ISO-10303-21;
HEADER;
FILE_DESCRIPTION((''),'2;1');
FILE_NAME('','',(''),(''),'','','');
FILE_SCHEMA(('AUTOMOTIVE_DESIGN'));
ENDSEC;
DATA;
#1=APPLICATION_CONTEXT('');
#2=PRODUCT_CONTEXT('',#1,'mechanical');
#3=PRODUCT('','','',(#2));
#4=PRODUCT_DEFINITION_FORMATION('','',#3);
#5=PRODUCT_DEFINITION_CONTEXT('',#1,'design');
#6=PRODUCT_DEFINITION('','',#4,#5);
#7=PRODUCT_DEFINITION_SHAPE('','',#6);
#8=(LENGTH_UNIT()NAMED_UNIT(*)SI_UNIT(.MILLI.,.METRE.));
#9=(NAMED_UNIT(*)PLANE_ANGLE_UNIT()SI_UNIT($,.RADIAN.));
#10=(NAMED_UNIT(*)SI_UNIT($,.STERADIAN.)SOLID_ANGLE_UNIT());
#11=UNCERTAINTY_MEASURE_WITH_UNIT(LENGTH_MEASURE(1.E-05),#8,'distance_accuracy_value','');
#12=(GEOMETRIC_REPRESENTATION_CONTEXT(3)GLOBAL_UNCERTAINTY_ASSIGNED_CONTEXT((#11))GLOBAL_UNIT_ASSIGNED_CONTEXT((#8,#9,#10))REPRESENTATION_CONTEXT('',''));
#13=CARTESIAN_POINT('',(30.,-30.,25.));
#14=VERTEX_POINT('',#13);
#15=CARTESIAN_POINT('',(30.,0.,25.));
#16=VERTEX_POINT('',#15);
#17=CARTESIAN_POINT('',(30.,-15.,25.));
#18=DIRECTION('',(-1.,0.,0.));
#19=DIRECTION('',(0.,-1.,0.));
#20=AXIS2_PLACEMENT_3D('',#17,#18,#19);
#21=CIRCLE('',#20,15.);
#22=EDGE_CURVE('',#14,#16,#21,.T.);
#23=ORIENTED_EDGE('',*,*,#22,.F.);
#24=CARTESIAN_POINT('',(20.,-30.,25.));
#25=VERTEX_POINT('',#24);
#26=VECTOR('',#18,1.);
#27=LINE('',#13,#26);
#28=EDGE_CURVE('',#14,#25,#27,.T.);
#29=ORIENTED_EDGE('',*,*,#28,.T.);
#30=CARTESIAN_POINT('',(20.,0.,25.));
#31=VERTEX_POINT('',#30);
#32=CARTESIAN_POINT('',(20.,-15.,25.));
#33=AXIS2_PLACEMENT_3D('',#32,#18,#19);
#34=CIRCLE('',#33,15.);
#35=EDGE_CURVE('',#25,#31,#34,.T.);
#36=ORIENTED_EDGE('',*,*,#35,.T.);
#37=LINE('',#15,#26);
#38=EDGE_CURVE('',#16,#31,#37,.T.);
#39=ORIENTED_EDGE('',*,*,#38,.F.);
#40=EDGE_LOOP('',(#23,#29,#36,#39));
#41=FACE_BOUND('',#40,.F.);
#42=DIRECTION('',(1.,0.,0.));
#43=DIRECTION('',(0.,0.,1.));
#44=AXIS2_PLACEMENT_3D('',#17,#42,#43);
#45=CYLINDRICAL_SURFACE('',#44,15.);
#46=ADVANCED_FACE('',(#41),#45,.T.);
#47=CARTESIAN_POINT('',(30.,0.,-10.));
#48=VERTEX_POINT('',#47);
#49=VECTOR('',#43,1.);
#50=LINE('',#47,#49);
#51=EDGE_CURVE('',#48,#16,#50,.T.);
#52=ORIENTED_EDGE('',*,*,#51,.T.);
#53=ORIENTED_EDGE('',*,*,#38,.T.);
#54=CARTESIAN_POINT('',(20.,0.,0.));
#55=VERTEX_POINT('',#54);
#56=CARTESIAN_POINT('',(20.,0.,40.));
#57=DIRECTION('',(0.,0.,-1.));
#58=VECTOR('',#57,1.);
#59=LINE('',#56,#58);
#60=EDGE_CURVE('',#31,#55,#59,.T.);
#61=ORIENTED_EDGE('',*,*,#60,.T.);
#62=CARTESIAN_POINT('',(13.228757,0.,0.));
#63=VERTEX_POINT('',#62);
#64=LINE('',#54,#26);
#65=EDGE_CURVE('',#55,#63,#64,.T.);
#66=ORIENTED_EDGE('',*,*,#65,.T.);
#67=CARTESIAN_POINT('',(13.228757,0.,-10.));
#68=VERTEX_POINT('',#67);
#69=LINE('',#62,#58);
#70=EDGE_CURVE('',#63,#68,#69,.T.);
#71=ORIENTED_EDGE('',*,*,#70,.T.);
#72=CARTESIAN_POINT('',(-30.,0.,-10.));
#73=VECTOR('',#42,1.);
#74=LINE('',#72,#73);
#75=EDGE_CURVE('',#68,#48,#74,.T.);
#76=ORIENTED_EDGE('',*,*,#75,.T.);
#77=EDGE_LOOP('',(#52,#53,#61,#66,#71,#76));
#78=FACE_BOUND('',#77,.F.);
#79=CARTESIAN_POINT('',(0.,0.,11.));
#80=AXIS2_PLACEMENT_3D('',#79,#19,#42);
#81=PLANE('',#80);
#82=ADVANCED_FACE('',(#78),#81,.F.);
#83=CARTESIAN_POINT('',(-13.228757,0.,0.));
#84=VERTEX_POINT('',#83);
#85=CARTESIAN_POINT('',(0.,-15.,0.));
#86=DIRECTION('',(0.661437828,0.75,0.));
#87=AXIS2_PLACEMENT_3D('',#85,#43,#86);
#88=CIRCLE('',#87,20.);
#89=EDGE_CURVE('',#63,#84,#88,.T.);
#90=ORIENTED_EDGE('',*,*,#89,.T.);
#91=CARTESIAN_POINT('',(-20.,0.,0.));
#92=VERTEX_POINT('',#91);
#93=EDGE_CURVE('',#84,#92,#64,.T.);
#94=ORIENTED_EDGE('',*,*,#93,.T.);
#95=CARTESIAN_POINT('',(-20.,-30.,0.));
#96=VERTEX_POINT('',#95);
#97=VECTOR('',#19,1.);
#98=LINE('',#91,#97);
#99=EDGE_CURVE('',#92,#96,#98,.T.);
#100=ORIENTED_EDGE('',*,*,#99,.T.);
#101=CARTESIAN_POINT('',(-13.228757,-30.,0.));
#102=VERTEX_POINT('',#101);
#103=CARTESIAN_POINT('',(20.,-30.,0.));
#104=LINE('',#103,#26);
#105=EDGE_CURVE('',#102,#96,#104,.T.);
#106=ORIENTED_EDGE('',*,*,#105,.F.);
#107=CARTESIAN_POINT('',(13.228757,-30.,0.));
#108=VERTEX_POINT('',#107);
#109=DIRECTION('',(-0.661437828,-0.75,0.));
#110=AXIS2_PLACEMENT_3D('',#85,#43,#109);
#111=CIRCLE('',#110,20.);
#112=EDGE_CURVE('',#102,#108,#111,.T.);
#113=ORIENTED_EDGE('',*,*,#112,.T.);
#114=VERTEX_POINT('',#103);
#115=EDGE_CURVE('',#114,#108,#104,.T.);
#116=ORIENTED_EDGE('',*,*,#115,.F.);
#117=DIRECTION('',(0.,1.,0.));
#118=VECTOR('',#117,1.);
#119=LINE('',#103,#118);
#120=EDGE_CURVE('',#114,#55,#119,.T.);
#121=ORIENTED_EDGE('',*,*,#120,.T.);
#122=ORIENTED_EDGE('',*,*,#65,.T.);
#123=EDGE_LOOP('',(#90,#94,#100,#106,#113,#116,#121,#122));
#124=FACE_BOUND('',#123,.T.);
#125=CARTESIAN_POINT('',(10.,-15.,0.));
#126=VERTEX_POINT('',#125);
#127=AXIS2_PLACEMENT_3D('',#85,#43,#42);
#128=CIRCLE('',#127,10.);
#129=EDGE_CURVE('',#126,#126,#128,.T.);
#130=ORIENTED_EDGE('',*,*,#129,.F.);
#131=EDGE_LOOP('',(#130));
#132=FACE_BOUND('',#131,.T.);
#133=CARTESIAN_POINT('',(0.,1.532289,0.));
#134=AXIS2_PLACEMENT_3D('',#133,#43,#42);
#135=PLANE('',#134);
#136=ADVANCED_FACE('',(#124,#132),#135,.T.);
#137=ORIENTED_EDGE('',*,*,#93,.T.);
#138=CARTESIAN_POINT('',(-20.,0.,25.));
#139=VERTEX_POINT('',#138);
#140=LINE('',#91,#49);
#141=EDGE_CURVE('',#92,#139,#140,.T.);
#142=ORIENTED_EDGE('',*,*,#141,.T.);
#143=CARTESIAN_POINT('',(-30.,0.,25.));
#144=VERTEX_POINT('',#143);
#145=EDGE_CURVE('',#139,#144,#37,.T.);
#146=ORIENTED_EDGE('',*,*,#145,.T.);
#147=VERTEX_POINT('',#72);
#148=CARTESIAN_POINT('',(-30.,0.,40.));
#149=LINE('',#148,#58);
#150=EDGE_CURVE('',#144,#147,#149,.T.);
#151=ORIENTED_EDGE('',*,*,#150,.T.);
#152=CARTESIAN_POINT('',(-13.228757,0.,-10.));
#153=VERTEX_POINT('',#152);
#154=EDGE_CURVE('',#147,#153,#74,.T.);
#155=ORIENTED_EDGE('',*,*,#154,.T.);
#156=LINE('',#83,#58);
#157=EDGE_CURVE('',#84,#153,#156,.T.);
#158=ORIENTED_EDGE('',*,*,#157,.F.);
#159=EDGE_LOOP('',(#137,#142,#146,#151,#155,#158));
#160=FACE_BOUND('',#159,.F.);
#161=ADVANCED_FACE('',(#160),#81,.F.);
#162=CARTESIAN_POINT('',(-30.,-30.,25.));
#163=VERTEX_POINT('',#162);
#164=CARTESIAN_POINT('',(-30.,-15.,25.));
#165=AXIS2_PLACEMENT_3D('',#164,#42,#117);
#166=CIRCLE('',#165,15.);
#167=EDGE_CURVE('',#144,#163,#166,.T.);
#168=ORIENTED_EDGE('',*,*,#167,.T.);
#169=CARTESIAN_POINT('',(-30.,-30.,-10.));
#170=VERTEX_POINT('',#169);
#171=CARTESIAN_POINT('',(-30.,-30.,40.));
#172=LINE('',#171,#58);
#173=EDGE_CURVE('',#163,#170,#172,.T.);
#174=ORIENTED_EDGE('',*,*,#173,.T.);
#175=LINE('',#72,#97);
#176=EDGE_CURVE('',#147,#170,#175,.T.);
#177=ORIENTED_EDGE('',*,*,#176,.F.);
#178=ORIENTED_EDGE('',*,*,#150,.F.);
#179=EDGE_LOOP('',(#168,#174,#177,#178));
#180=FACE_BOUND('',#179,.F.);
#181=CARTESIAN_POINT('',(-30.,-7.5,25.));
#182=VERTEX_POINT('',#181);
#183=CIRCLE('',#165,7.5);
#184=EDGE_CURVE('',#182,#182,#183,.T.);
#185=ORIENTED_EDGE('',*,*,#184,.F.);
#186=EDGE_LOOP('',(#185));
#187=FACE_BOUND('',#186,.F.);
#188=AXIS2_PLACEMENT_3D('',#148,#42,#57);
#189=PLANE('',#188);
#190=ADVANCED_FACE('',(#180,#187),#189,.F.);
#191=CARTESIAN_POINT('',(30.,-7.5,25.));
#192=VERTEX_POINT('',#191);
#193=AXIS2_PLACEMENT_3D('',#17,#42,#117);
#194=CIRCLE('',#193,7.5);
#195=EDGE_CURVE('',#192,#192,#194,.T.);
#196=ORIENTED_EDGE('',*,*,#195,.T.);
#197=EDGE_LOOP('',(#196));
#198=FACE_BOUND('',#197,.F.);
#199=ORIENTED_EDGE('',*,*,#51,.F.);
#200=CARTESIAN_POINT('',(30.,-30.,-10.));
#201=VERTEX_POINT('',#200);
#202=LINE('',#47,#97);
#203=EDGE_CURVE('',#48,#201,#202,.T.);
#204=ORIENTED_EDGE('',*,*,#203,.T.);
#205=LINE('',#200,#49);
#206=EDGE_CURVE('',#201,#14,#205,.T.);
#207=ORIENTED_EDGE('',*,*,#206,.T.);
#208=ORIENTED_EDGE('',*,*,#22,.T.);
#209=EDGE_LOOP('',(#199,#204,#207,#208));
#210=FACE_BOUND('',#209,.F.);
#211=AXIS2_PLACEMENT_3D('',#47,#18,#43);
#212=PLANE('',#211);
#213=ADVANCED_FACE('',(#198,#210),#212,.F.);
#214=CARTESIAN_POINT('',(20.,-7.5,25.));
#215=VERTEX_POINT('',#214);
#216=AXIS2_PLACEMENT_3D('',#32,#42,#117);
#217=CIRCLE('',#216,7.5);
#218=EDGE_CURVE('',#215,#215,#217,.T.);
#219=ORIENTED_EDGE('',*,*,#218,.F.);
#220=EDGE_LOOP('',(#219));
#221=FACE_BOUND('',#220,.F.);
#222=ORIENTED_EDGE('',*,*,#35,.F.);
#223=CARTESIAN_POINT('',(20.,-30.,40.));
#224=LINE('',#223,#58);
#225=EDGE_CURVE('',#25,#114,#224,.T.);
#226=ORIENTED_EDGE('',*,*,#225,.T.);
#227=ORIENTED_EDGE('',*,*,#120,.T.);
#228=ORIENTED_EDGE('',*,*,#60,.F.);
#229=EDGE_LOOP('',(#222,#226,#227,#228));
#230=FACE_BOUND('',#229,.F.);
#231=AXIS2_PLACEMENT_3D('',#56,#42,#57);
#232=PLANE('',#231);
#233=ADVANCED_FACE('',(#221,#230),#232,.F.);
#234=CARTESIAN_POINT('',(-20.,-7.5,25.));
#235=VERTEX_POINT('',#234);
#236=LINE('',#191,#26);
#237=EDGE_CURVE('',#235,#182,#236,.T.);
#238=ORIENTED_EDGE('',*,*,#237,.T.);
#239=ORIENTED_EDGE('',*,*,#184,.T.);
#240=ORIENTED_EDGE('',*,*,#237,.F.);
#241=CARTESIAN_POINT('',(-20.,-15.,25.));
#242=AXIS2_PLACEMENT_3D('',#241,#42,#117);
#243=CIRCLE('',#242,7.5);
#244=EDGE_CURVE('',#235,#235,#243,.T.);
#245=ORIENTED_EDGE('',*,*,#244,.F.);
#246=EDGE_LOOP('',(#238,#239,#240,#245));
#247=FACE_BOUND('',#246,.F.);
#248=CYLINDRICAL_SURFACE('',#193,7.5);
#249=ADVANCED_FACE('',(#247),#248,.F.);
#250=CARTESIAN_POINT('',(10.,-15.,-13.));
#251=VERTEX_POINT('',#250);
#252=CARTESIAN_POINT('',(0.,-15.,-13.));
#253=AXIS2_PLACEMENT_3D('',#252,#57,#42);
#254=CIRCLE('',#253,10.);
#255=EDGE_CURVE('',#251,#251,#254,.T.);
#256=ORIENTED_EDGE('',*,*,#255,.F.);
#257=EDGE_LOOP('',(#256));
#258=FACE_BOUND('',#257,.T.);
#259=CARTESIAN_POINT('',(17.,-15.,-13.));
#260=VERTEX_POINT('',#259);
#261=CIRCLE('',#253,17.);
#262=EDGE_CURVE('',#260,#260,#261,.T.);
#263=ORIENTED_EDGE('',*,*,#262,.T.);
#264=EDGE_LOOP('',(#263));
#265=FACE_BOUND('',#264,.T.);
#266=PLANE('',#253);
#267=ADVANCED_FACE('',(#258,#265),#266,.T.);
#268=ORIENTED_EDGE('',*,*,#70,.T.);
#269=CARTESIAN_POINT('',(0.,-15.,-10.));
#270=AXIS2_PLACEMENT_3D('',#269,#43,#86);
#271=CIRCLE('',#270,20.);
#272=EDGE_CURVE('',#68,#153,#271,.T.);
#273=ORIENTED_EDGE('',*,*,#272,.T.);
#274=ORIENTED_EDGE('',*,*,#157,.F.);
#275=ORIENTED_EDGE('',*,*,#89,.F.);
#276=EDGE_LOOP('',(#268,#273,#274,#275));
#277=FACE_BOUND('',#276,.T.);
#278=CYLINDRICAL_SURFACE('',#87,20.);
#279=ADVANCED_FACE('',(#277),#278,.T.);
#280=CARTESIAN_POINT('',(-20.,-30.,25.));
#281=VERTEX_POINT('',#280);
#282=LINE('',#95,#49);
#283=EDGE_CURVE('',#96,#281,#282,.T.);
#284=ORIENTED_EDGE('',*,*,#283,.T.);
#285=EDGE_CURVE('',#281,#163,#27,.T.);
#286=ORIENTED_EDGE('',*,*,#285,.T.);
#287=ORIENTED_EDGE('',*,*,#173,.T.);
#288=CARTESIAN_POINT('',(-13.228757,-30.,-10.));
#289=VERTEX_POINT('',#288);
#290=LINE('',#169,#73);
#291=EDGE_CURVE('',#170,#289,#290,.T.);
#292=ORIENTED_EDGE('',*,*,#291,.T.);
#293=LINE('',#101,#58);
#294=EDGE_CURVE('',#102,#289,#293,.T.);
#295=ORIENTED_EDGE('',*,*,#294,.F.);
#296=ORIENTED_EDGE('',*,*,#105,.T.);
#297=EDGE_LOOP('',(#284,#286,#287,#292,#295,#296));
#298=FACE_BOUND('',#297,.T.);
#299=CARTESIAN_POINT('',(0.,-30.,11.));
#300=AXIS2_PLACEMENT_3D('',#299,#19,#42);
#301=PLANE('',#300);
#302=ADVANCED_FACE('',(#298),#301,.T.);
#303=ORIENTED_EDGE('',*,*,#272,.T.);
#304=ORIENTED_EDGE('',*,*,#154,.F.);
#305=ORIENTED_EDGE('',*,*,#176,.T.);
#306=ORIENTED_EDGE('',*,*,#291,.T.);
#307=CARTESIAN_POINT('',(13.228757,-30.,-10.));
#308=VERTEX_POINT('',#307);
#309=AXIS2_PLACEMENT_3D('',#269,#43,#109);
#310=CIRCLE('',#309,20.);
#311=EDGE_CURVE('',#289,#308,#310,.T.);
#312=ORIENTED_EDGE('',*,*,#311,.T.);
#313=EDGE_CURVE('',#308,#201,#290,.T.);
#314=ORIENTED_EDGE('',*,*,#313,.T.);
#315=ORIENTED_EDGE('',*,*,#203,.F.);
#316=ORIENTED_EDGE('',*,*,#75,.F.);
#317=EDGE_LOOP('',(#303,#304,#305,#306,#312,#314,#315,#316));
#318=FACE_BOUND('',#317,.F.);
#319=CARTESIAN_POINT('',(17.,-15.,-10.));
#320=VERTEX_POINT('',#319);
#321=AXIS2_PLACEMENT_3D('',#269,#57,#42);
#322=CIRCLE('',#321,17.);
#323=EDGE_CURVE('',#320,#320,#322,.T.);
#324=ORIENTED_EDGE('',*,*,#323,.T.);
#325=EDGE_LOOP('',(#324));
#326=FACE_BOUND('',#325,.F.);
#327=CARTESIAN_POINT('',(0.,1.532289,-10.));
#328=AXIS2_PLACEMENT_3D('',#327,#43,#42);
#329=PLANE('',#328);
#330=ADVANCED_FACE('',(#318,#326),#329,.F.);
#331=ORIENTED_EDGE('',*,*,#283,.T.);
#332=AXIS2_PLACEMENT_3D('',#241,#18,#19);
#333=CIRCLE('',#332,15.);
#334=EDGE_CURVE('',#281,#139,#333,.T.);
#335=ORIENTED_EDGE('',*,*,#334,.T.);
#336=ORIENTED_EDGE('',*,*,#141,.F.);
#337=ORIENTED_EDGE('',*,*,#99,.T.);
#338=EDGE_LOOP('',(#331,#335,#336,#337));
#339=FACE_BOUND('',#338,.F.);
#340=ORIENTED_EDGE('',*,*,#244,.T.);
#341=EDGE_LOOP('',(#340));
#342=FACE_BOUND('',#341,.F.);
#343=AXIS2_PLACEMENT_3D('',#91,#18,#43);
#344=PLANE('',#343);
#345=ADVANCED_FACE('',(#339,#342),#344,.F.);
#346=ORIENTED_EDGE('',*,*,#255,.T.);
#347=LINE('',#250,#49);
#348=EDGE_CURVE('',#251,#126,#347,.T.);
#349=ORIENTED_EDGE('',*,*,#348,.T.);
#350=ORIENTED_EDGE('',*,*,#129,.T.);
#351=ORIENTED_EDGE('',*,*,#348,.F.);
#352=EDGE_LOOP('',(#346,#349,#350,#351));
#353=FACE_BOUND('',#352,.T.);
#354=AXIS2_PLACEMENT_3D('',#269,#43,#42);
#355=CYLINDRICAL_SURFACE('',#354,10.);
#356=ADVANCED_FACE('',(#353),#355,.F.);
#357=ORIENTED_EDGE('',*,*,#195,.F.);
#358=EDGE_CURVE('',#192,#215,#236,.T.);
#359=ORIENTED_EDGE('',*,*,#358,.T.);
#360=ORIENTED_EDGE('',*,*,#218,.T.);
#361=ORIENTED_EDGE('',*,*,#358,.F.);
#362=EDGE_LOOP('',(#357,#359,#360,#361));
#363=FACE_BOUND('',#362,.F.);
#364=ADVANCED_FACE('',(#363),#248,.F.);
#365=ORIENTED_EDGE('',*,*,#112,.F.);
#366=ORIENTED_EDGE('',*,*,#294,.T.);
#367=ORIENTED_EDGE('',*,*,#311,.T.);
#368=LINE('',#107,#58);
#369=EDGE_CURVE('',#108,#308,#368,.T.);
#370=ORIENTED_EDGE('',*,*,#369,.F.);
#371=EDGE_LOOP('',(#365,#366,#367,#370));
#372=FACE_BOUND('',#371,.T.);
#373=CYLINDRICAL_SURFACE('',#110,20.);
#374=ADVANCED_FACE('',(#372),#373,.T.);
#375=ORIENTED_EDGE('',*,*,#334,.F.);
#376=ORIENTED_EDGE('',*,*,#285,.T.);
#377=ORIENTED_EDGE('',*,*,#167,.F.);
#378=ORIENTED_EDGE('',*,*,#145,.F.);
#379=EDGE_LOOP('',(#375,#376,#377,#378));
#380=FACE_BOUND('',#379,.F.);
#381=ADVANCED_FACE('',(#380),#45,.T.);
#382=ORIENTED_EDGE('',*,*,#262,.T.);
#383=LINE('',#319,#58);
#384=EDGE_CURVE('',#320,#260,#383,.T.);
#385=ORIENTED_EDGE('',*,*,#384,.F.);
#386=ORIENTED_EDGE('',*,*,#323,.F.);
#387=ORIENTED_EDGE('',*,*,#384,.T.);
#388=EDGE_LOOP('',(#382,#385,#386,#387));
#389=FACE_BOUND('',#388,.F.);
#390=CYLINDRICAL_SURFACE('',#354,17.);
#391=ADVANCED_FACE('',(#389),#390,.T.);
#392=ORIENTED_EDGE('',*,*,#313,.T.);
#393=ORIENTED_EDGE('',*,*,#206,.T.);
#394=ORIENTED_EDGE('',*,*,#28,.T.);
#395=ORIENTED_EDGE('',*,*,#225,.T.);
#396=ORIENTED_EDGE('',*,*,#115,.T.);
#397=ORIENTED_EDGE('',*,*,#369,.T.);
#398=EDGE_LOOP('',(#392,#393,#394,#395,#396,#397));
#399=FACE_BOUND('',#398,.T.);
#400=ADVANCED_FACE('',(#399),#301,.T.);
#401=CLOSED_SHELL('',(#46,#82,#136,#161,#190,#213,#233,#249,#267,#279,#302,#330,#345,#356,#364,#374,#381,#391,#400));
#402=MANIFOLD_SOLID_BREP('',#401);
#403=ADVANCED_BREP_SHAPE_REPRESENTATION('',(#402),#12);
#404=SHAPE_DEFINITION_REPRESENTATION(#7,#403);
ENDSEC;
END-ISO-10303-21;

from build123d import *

# Parameters (mm, degrees)
F1_DEPTH = 30
F2_R     = 7.5
F3_DEPTH = 60.001
F5_DEPTH = 10
F6_R     = 10
F7_DEPTH = 10.001
F8_R     = 17
F8_R_2   = 10
F9_DEPTH = 3


with BuildPart() as f1:
    # F0 (on Front) → F1 (new body)
    with BuildSketch(Plane.XZ):
        Polygon((-20, 40), (-30, 40), (-30, -10), (30, -10), (30, 40), (20, 40), (20, 0), (-20, 0), align=None)
    extrude(amount=F1_DEPTH)

    # F2 (on face) → F3 (cut, through all)
    with BuildSketch(Plane.YZ.offset(30)):
        with BuildLine():
            ThreePointArc((-15, 40), (-4.3933982822, 35.6066017178), (0, 25))
            Line((0, 25), (0, 40))
            Line((0, 40), (-15, 40))
        make_face()
        with BuildLine():
            ThreePointArc((-30, 25), (-25.6066017178, 35.6066017178), (-15, 40))
            Line((-15, 40), (-30, 40))
            Line((-30, 40), (-30, 25))
        make_face()
        with Locations((-15, 25)):
            Circle(F2_R)
    extrude(amount=-F3_DEPTH, mode=Mode.SUBTRACT)

    # F4 (on face) → F5 (join)
    with BuildSketch(Plane.XY):
        with BuildLine():
            Line((-13.2287565553, 0), (13.2287565553, 0))
            ThreePointArc((13.2287565553, 0), (0, 5), (-13.2287565553, 0))
        make_face()
        with BuildLine():
            ThreePointArc((13.2287565553, -30), (18.2287565553, -23.2287565553), (20, -15))
            ThreePointArc((20, -15), (18.2287565553, -6.7712434447), (13.2287565553, 0))
            Line((13.2287565553, 0), (-13.2287565553, 0))
            ThreePointArc((-13.2287565553, 0), (-18.2287565553, -6.7712434447), (-20, -15))
            ThreePointArc((-20, -15), (-18.2287565553, -23.2287565553), (-13.2287565553, -30))
            Line((-13.2287565553, -30), (13.2287565553, -30))
        make_face()
        with BuildLine():
            ThreePointArc((-13.2287565553, -30), (0, -35), (13.2287565553, -30))
            Line((13.2287565553, -30), (-13.2287565553, -30))
        make_face()
    extrude(amount=-F5_DEPTH)

    # F6 (on face) → F7 (cut, through all)
    with BuildSketch(Plane.XY):
        with Locations((0, -15)):
            Circle(F6_R)
    extrude(amount=-F7_DEPTH, mode=Mode.SUBTRACT)

    # F8 (on face) → F9 (join)
    with BuildSketch(Plane(origin=(0, 0, -10), x_dir=(1, 0, 0), z_dir=(0, 0, -1))):
        with Locations((0, 15)):
            Circle(F8_R)
        with Locations((0, 15)):
            Circle(F8_R_2, mode=Mode.SUBTRACT)
    extrude(amount=F9_DEPTH)


solid = f1.part
